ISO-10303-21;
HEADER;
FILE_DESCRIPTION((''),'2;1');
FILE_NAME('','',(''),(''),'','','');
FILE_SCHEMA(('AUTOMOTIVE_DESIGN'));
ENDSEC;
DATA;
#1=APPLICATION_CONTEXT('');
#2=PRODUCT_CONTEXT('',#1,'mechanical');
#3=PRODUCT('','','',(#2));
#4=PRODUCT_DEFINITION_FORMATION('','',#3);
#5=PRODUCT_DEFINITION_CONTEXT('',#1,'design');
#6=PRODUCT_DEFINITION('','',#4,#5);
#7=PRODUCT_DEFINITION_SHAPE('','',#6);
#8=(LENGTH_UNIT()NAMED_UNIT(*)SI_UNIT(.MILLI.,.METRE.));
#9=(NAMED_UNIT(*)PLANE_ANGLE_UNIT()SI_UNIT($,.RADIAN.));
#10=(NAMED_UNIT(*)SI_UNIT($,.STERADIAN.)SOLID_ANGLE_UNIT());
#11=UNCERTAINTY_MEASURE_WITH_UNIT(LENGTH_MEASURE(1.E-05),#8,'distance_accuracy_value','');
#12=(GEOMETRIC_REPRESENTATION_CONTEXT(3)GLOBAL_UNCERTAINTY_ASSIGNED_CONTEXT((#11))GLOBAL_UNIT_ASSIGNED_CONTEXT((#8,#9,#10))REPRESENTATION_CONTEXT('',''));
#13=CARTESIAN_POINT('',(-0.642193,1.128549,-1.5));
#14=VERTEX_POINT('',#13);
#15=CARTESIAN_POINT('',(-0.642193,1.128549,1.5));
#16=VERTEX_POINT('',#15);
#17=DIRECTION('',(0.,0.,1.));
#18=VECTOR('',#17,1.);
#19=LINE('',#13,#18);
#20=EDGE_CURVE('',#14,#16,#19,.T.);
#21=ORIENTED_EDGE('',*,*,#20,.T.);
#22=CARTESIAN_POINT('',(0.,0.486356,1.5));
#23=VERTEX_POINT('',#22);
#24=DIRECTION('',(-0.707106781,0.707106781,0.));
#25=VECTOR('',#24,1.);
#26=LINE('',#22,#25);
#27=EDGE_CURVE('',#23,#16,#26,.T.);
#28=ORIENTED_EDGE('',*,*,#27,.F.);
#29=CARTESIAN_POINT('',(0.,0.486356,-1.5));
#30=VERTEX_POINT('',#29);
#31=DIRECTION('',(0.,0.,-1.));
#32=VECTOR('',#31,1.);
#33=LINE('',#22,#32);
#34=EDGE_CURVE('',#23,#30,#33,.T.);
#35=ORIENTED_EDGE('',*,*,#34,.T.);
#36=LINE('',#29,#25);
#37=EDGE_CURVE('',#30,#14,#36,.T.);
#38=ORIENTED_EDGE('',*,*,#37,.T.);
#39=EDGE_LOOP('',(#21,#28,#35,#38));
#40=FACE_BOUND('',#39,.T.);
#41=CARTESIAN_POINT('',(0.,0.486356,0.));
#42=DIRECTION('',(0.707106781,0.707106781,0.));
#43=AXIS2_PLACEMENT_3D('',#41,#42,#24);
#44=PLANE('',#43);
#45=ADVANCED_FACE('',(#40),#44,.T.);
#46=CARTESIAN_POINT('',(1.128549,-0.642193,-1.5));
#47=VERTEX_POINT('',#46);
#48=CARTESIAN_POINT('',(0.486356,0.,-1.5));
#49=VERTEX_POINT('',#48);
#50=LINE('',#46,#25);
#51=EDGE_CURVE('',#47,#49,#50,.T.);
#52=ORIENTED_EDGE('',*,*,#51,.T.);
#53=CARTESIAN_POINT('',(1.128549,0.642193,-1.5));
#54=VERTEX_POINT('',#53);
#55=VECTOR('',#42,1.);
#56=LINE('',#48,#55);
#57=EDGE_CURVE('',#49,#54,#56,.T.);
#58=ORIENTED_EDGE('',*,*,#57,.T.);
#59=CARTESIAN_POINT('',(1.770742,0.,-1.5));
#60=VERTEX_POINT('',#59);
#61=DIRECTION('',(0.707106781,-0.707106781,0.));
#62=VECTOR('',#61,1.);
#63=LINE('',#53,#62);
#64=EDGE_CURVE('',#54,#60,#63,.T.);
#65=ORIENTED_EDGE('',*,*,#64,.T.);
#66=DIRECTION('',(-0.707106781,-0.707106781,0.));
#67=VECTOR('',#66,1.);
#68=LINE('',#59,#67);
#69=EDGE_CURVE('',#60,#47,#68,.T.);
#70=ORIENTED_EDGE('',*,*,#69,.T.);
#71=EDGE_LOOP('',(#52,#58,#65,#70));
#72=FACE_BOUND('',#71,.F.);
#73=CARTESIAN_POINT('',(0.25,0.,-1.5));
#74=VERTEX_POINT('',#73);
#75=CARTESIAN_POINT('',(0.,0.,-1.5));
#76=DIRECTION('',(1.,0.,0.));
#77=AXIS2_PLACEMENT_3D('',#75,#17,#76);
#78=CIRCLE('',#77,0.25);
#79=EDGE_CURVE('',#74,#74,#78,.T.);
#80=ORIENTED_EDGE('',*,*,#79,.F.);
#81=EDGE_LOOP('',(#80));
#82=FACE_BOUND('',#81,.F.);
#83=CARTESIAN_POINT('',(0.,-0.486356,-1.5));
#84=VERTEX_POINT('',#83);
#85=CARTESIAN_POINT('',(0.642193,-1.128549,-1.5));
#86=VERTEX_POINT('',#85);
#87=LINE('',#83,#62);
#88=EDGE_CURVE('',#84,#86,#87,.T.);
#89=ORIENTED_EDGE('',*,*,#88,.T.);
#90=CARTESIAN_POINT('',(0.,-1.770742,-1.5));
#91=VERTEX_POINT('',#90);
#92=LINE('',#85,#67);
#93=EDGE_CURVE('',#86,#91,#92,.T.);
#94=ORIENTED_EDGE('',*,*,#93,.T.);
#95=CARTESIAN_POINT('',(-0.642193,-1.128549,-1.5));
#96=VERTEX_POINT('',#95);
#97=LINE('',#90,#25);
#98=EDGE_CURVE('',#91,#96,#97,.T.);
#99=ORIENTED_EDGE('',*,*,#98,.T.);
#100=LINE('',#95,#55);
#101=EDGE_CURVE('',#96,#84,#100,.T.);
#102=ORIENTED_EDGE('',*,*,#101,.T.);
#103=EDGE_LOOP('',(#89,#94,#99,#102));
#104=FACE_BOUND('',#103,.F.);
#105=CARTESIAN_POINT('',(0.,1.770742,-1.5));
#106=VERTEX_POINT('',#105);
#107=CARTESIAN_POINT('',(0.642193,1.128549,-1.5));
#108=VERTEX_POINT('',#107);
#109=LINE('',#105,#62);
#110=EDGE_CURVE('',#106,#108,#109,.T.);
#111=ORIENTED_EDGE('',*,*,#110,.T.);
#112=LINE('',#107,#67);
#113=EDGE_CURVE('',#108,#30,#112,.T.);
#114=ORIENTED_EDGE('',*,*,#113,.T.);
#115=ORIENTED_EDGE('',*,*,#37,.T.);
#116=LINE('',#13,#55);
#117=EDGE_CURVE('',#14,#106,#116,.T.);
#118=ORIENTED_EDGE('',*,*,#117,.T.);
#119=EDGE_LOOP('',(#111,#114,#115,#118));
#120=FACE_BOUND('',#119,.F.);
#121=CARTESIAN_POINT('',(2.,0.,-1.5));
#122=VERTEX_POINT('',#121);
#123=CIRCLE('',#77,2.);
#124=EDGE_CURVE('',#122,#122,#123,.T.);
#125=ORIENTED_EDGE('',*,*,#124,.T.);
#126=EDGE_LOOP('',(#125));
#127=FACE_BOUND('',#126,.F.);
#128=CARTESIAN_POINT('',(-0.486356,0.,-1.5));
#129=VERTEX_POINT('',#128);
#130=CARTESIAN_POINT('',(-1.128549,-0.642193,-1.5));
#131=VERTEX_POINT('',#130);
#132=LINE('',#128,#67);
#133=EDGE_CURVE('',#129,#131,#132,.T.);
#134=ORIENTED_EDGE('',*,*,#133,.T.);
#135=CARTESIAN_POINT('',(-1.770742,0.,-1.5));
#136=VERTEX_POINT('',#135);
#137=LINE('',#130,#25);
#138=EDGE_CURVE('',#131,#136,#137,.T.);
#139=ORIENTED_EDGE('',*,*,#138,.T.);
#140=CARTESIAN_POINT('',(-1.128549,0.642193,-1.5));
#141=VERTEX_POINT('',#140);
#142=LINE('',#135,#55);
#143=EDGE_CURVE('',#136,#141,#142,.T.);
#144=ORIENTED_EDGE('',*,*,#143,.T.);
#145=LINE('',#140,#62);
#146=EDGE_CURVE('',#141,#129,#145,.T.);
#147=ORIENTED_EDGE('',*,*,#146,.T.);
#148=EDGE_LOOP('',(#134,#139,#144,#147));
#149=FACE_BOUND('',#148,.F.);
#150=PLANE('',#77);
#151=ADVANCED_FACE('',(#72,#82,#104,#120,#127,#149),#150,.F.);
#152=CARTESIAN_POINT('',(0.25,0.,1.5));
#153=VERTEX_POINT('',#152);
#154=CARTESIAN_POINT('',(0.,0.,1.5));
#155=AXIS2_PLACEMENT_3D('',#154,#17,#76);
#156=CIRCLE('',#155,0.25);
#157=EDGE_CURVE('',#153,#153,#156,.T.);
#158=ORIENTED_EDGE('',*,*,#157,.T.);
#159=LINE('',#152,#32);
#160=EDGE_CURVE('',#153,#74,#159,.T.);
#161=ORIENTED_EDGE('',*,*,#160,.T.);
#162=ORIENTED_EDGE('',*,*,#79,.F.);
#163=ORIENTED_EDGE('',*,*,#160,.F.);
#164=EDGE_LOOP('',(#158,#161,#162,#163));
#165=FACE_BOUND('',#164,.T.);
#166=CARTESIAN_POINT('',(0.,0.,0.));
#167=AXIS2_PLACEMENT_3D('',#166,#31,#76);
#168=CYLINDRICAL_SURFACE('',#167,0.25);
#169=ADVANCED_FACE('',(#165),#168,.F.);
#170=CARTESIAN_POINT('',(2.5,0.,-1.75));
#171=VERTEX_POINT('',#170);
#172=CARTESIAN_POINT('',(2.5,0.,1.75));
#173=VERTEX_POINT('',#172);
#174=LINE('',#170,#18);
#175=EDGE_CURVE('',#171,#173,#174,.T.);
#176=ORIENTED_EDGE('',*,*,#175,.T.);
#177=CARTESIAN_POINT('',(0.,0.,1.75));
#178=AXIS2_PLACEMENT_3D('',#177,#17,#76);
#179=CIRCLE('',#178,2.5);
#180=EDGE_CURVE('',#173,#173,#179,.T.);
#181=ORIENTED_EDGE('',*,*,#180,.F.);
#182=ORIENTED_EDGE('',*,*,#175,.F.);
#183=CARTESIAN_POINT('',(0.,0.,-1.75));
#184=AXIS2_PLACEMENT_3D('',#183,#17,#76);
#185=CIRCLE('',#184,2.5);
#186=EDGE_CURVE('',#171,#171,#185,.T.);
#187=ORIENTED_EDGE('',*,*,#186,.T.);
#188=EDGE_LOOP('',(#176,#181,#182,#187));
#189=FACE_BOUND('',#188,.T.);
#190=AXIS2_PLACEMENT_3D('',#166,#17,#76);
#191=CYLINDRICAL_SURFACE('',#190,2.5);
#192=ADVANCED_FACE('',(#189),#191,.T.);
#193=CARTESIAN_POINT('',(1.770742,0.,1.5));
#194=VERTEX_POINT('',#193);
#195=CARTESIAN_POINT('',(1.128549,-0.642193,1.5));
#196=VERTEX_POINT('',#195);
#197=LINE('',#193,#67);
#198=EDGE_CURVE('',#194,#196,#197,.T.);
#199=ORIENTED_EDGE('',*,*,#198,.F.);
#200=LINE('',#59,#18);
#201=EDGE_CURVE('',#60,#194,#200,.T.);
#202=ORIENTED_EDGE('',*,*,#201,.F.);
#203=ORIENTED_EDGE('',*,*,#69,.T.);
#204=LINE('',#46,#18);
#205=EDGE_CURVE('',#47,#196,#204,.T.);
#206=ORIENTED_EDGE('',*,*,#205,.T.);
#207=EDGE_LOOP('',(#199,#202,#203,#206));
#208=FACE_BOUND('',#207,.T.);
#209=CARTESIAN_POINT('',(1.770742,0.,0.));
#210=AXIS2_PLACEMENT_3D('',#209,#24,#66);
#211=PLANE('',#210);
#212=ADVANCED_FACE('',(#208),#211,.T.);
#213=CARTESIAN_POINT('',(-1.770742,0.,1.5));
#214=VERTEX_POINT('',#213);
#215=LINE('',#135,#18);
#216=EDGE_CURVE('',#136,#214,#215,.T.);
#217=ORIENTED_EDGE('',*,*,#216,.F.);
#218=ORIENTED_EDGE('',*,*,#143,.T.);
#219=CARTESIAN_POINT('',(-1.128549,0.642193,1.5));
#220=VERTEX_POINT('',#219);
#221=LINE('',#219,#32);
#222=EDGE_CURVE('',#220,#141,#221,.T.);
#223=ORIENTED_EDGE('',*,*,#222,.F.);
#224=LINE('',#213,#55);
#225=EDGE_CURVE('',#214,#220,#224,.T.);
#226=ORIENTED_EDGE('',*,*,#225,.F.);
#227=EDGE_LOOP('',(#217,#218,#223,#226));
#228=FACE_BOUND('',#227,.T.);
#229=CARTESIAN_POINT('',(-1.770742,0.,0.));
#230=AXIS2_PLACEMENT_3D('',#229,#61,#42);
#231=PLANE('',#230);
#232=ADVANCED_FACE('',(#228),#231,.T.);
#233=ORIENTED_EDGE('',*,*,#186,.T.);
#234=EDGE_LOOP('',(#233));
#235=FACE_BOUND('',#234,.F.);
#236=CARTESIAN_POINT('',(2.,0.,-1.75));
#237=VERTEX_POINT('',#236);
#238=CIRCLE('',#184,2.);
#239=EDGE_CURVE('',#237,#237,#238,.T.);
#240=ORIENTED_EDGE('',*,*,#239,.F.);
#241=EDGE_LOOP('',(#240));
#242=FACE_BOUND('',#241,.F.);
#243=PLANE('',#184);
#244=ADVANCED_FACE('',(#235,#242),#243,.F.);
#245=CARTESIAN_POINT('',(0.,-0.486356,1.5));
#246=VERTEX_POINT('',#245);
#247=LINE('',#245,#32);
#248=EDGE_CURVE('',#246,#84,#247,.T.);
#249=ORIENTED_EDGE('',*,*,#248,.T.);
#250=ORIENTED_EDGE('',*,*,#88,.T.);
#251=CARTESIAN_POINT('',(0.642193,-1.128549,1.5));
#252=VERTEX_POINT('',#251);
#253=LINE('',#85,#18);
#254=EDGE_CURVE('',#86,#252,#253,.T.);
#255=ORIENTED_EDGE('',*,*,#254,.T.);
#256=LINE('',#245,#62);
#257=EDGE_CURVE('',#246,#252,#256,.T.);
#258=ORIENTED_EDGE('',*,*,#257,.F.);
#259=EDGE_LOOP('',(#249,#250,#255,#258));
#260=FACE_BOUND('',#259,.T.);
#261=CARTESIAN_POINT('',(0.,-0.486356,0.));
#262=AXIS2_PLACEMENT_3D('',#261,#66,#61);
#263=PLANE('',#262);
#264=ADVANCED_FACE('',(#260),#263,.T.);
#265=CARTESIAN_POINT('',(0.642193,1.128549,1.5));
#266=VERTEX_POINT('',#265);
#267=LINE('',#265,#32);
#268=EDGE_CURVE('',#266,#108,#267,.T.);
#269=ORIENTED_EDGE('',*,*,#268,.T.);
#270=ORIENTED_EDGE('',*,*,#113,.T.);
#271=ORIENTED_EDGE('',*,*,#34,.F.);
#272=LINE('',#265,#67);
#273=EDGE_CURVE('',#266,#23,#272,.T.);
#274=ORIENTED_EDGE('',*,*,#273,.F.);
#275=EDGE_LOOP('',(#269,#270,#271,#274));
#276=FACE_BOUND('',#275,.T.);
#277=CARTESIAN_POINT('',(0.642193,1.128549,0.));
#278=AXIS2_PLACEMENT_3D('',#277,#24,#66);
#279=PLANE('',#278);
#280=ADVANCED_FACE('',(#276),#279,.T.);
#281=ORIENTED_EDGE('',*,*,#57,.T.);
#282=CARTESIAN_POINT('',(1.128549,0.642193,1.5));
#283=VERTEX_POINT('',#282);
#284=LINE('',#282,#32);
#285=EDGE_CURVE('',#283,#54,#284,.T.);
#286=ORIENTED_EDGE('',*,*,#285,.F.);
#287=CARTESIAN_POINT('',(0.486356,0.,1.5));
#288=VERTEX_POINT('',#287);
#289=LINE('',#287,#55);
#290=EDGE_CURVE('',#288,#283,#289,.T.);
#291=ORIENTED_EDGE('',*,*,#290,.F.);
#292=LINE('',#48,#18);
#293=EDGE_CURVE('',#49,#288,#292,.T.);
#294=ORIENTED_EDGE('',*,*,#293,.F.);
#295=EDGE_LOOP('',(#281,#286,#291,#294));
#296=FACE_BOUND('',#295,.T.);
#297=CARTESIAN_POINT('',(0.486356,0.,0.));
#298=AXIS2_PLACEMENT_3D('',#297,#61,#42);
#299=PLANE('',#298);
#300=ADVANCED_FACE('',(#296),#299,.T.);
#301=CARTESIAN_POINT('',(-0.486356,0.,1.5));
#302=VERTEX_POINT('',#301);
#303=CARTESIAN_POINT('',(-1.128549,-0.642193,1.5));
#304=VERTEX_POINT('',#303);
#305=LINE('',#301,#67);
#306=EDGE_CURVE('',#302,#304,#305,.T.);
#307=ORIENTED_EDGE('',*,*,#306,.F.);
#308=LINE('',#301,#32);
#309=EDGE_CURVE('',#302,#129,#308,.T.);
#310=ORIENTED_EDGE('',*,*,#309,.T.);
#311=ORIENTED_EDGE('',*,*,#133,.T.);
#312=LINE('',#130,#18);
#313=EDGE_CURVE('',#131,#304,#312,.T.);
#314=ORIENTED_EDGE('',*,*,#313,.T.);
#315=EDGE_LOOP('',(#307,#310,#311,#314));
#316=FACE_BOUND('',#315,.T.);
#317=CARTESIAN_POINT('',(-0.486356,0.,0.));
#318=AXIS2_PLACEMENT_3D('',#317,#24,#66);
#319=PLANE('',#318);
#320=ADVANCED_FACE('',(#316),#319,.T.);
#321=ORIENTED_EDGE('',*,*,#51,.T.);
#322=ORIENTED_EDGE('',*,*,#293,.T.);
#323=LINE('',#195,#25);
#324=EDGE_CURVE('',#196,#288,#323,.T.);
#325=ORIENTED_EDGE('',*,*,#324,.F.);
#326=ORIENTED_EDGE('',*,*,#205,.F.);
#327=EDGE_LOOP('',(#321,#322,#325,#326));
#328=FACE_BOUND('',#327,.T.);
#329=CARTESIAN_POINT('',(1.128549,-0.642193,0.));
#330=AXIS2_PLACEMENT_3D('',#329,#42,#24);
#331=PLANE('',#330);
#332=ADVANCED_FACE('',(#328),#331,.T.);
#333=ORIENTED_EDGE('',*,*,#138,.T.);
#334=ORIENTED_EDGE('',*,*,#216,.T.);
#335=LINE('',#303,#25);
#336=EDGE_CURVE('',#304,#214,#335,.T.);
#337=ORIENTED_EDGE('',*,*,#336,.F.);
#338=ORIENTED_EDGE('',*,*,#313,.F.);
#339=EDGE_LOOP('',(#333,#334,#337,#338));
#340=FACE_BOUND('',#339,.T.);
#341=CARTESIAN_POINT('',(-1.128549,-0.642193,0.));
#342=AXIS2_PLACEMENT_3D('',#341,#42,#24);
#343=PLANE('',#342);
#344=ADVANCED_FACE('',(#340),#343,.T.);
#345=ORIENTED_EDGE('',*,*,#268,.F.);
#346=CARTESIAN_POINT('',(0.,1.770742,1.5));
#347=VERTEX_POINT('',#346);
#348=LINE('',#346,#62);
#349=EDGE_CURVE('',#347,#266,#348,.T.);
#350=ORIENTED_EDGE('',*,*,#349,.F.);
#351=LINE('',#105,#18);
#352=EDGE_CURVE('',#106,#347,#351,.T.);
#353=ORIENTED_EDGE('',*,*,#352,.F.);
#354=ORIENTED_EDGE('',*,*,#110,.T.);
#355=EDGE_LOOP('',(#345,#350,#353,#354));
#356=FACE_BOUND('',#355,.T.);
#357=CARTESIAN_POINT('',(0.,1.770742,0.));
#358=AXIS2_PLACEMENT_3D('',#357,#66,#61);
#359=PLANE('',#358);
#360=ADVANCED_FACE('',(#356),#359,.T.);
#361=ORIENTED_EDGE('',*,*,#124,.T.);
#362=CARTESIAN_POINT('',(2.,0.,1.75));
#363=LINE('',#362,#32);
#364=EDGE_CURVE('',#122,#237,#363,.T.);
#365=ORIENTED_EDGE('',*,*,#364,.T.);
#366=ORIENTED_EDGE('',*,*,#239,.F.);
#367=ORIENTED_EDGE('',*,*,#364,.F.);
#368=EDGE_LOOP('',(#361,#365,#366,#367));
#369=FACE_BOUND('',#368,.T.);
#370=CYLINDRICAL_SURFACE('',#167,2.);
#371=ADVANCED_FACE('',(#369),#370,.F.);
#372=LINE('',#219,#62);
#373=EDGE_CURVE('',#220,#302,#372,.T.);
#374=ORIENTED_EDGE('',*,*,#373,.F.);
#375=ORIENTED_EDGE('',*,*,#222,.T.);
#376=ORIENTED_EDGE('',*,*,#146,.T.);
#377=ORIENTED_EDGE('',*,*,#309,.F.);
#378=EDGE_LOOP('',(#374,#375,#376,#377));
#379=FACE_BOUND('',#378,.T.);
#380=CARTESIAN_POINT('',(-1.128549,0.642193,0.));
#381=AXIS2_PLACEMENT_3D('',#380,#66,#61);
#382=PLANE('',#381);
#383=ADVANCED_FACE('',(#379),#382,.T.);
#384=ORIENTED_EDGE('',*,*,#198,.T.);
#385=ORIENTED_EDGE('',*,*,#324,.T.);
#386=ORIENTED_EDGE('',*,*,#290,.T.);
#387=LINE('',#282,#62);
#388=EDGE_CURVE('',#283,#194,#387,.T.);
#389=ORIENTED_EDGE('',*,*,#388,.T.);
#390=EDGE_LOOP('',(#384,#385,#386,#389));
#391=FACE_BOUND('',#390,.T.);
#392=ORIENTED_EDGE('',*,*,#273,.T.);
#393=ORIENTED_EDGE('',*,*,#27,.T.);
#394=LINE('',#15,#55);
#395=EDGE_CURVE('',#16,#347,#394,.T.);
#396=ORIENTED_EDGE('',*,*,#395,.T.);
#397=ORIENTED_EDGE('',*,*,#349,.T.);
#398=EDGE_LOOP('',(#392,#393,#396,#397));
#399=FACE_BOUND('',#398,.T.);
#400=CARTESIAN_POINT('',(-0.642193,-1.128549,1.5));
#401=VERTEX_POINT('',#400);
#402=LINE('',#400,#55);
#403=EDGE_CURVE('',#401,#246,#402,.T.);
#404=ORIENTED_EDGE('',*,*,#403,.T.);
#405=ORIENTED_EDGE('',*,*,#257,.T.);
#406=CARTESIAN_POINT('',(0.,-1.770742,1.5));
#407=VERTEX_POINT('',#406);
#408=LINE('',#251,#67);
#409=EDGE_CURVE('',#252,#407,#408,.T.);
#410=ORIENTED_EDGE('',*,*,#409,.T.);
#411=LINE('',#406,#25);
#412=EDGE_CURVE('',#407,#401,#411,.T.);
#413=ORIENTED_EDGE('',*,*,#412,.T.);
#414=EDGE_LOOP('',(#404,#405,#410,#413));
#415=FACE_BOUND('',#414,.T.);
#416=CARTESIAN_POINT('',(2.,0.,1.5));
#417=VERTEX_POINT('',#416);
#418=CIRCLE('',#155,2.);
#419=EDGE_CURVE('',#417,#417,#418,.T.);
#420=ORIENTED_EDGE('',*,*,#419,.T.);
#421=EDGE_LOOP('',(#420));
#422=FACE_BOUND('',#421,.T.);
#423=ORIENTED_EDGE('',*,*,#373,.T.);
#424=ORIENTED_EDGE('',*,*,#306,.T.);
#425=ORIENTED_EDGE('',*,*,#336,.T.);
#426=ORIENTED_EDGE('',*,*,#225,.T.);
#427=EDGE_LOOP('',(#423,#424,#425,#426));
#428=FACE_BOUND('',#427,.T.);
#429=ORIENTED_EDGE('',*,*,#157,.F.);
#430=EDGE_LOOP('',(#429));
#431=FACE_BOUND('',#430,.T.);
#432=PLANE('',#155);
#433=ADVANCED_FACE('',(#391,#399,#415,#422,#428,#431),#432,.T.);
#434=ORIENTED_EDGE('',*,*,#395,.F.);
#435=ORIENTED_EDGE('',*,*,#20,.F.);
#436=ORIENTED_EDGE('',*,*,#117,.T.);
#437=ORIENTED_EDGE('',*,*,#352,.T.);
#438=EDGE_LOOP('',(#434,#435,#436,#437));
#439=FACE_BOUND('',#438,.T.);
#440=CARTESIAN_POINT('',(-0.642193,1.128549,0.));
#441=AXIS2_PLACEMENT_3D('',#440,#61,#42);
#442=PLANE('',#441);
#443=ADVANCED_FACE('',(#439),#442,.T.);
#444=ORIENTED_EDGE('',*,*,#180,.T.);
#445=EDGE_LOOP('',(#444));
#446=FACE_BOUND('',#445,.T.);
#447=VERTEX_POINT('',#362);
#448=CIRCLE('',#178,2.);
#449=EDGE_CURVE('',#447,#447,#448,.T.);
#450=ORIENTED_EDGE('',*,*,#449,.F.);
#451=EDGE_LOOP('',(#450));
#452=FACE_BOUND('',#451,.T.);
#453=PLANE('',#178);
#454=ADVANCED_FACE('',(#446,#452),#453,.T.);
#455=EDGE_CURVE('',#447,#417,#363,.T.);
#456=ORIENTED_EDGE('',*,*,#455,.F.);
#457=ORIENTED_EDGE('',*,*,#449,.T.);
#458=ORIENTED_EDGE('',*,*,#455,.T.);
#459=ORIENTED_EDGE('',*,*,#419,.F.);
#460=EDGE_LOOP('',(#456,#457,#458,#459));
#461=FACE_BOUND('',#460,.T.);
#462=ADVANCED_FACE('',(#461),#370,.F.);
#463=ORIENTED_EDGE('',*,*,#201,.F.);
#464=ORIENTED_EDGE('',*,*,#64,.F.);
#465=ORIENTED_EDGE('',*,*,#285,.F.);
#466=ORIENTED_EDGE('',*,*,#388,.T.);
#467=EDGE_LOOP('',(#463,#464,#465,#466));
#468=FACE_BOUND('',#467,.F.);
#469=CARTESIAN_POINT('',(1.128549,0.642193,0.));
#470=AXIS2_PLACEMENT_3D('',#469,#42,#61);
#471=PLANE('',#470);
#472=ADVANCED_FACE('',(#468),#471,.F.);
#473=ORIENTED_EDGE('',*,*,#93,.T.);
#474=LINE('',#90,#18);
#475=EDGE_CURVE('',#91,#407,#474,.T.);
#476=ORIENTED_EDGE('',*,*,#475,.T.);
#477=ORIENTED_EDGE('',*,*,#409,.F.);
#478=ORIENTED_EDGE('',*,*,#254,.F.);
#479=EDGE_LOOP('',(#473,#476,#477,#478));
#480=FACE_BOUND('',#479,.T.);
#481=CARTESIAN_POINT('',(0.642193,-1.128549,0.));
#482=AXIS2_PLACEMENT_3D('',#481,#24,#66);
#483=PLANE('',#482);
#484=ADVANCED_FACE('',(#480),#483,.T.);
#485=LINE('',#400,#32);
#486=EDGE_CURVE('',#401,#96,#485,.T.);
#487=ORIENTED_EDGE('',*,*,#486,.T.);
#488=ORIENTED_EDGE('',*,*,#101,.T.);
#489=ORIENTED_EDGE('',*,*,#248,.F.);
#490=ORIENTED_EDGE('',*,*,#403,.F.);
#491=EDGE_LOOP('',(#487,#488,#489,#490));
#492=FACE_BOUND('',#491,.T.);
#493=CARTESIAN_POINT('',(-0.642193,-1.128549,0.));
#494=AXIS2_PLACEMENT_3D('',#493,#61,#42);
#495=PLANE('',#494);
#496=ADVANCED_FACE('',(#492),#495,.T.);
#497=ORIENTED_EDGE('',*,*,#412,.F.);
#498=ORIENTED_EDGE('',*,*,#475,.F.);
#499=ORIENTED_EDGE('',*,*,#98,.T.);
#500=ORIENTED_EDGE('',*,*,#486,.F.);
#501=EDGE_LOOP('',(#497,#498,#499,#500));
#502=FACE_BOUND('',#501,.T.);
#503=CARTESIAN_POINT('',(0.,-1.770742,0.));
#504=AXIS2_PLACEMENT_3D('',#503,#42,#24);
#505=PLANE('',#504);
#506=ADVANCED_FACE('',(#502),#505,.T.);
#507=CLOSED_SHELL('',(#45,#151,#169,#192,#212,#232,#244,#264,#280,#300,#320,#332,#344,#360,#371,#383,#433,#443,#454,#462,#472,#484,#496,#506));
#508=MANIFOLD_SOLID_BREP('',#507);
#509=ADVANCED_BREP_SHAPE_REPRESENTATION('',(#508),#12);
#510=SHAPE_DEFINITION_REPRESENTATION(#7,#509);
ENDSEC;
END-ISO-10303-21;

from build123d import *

# Parameters (mm, degrees)
F0_R     = 2
F0_R_2   = 0.25
F1_DEPTH = 1.5
F0_R_3   = 2.5
F2_DEPTH = 1.75


with BuildPart() as f1:
    # F0 (on Top) → F1 (new body, symmetric)
    with BuildSketch(Plane.XY):
        Circle(F0_R)
        Polygon((0.642193, -1.128549), (0, -1.770742), (-0.642193, -1.128549), (0, -0.486356), align=None, mode=Mode.SUBTRACT)
        Polygon((-1.128549, -0.642193), (-1.770742, 0), (-1.128549, 0.642193), (-0.486356, 0), align=None, mode=Mode.SUBTRACT)
        Polygon((-0.642193, 1.128549), (0, 1.770742), (0.642193, 1.128549), (0, 0.486356), align=None, mode=Mode.SUBTRACT)
        Circle(F0_R_2, mode=Mode.SUBTRACT)
        Polygon((1.128549, 0.642193), (1.770742, 0), (1.128549, -0.642193), (0.486356, 0), align=None, mode=Mode.SUBTRACT)
    extrude(amount=F1_DEPTH, both=True)

    # F0 (on Top) → F2 (join, symmetric)
    with BuildSketch(Plane.XY):
        Circle(F0_R_3)
        Circle(F0_R, mode=Mode.SUBTRACT)
    extrude(amount=F2_DEPTH, both=True)


solid = f1.part
